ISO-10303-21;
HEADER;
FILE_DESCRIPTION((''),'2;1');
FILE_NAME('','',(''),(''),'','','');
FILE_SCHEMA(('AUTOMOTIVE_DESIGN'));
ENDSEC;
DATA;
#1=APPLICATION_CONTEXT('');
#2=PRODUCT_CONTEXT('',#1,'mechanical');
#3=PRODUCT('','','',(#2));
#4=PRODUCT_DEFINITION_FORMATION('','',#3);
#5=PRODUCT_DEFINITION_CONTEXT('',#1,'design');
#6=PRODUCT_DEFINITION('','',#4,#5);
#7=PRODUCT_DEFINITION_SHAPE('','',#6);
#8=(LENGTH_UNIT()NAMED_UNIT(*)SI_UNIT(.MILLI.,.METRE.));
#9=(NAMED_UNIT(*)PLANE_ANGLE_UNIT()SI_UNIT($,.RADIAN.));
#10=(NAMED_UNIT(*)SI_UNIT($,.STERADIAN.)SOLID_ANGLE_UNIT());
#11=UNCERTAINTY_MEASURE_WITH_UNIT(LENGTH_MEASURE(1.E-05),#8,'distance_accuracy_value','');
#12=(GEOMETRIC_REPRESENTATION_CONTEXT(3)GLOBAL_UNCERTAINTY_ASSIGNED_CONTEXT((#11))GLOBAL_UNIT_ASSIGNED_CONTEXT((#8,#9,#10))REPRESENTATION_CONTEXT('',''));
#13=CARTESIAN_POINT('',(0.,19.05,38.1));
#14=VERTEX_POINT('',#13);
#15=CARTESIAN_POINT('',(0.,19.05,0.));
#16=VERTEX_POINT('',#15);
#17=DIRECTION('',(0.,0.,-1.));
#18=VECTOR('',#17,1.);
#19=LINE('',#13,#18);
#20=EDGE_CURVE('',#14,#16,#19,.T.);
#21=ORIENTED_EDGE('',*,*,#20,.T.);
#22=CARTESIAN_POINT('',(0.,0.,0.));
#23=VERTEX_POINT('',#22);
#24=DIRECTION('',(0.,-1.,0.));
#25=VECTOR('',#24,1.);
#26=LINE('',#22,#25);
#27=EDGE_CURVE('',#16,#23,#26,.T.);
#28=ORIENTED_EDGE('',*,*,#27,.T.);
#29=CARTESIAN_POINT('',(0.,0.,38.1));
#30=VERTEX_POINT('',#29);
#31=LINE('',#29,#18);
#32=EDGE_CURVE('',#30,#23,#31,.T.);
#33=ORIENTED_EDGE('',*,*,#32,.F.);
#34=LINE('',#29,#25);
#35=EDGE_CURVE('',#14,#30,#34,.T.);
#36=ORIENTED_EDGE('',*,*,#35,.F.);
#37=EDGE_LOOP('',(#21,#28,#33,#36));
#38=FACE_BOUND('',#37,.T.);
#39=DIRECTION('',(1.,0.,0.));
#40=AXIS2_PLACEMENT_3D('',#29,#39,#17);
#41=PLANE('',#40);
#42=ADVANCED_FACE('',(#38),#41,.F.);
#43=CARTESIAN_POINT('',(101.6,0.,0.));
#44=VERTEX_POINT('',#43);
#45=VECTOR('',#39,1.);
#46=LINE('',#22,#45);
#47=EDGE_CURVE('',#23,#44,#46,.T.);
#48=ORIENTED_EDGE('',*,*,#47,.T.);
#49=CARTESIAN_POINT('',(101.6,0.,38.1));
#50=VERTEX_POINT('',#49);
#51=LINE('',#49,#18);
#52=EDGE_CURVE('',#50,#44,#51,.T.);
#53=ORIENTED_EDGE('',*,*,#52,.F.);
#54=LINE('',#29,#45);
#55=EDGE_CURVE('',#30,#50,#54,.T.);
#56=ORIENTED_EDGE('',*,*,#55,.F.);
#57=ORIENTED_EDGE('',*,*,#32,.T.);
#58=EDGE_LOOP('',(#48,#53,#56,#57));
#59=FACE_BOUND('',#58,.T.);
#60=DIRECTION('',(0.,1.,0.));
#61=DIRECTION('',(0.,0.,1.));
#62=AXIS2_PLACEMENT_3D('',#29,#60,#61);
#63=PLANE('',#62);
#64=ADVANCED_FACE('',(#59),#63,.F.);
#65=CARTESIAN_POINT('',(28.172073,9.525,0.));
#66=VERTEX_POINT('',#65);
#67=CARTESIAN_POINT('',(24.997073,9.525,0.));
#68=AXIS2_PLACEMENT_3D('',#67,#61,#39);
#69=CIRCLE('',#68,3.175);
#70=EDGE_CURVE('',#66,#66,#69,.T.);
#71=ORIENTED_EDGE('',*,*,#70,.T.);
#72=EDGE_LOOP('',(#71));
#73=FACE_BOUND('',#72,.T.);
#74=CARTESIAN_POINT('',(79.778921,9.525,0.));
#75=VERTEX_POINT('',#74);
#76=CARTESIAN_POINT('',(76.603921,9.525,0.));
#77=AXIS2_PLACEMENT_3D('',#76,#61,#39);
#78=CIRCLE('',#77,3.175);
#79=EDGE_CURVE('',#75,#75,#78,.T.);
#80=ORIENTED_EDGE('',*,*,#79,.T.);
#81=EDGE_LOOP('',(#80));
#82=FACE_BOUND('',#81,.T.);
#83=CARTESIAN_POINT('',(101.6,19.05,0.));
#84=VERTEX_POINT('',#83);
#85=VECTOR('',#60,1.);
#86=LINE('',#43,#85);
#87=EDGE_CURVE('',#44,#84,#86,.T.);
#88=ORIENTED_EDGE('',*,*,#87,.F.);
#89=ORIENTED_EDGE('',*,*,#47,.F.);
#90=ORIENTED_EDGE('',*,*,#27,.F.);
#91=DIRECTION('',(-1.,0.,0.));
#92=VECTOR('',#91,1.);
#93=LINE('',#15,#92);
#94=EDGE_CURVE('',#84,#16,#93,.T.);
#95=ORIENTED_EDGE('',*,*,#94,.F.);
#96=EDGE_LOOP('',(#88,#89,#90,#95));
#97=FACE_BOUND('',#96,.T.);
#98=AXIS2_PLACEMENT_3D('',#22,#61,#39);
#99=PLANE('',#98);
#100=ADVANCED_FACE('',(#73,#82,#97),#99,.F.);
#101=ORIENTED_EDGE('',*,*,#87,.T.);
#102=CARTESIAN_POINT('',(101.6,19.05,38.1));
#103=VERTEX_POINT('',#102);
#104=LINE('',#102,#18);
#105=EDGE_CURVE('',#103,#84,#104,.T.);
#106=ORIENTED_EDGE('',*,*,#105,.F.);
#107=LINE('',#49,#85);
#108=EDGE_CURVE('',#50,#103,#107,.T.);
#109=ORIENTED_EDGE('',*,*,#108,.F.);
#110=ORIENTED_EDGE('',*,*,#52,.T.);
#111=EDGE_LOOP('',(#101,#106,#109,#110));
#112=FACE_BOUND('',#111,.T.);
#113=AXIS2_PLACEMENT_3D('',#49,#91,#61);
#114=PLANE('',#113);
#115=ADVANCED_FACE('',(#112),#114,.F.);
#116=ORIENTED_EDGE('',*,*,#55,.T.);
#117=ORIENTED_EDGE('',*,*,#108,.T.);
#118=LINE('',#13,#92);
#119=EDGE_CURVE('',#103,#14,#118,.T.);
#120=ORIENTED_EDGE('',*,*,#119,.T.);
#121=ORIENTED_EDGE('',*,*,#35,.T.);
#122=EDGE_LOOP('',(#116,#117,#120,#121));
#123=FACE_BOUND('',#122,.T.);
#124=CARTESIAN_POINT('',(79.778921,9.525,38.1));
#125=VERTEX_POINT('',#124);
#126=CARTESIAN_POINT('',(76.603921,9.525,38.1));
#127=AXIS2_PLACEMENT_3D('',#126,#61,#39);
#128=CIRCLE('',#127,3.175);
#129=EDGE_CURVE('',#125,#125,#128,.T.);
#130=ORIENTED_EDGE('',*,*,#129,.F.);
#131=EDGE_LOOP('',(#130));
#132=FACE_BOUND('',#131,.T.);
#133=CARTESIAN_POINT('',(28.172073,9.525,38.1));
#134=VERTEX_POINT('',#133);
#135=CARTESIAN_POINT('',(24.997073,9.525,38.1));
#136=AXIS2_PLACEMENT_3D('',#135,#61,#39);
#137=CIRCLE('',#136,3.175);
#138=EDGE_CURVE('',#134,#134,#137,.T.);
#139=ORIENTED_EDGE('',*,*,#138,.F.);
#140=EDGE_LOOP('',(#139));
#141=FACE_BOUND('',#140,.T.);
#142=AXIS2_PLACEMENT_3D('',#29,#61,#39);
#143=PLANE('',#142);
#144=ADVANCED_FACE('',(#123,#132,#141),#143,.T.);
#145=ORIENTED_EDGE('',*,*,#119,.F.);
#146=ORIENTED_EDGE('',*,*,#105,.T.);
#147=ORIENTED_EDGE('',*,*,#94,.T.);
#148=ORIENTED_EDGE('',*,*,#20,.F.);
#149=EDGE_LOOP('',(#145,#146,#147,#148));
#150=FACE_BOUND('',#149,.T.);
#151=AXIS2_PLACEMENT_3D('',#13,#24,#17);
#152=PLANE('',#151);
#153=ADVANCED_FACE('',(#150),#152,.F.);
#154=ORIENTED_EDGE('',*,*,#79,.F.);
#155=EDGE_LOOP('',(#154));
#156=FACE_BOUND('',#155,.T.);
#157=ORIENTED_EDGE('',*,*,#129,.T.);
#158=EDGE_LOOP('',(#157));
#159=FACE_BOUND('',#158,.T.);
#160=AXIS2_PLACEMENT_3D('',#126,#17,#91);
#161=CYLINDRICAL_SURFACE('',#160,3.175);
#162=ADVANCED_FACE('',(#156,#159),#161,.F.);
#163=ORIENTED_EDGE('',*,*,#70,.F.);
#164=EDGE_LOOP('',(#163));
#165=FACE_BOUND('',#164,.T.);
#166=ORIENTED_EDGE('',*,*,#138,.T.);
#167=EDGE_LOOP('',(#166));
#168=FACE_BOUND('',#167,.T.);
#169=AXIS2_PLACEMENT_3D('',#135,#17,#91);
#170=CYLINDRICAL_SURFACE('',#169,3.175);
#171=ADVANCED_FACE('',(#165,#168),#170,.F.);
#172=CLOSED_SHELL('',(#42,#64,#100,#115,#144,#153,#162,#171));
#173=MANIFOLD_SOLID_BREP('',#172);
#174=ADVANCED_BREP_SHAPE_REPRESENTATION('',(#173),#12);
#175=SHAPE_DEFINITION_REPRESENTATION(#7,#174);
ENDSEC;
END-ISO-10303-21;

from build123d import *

# Parameters (mm, degrees)
SKETCH1_W        = 101.6
SKETCH1_H        = 19.05
SKETCH1_R        = 3.175
EXTRUSION1_DEPTH = 38.1


with BuildPart() as part:
    # Sketch1 → Extrusion1 (new body)
    with BuildSketch(Plane.XY):
        with Locations((50.8, 9.525)):
            Rectangle(SKETCH1_W, SKETCH1_H)
        with Locations((76.603920836, 9.525)):
            Circle(SKETCH1_R, mode=Mode.SUBTRACT)
        with Locations((24.997072946, 9.525)):
            Circle(SKETCH1_R, mode=Mode.SUBTRACT)
    extrude(amount=EXTRUSION1_DEPTH)


solid = part.part
